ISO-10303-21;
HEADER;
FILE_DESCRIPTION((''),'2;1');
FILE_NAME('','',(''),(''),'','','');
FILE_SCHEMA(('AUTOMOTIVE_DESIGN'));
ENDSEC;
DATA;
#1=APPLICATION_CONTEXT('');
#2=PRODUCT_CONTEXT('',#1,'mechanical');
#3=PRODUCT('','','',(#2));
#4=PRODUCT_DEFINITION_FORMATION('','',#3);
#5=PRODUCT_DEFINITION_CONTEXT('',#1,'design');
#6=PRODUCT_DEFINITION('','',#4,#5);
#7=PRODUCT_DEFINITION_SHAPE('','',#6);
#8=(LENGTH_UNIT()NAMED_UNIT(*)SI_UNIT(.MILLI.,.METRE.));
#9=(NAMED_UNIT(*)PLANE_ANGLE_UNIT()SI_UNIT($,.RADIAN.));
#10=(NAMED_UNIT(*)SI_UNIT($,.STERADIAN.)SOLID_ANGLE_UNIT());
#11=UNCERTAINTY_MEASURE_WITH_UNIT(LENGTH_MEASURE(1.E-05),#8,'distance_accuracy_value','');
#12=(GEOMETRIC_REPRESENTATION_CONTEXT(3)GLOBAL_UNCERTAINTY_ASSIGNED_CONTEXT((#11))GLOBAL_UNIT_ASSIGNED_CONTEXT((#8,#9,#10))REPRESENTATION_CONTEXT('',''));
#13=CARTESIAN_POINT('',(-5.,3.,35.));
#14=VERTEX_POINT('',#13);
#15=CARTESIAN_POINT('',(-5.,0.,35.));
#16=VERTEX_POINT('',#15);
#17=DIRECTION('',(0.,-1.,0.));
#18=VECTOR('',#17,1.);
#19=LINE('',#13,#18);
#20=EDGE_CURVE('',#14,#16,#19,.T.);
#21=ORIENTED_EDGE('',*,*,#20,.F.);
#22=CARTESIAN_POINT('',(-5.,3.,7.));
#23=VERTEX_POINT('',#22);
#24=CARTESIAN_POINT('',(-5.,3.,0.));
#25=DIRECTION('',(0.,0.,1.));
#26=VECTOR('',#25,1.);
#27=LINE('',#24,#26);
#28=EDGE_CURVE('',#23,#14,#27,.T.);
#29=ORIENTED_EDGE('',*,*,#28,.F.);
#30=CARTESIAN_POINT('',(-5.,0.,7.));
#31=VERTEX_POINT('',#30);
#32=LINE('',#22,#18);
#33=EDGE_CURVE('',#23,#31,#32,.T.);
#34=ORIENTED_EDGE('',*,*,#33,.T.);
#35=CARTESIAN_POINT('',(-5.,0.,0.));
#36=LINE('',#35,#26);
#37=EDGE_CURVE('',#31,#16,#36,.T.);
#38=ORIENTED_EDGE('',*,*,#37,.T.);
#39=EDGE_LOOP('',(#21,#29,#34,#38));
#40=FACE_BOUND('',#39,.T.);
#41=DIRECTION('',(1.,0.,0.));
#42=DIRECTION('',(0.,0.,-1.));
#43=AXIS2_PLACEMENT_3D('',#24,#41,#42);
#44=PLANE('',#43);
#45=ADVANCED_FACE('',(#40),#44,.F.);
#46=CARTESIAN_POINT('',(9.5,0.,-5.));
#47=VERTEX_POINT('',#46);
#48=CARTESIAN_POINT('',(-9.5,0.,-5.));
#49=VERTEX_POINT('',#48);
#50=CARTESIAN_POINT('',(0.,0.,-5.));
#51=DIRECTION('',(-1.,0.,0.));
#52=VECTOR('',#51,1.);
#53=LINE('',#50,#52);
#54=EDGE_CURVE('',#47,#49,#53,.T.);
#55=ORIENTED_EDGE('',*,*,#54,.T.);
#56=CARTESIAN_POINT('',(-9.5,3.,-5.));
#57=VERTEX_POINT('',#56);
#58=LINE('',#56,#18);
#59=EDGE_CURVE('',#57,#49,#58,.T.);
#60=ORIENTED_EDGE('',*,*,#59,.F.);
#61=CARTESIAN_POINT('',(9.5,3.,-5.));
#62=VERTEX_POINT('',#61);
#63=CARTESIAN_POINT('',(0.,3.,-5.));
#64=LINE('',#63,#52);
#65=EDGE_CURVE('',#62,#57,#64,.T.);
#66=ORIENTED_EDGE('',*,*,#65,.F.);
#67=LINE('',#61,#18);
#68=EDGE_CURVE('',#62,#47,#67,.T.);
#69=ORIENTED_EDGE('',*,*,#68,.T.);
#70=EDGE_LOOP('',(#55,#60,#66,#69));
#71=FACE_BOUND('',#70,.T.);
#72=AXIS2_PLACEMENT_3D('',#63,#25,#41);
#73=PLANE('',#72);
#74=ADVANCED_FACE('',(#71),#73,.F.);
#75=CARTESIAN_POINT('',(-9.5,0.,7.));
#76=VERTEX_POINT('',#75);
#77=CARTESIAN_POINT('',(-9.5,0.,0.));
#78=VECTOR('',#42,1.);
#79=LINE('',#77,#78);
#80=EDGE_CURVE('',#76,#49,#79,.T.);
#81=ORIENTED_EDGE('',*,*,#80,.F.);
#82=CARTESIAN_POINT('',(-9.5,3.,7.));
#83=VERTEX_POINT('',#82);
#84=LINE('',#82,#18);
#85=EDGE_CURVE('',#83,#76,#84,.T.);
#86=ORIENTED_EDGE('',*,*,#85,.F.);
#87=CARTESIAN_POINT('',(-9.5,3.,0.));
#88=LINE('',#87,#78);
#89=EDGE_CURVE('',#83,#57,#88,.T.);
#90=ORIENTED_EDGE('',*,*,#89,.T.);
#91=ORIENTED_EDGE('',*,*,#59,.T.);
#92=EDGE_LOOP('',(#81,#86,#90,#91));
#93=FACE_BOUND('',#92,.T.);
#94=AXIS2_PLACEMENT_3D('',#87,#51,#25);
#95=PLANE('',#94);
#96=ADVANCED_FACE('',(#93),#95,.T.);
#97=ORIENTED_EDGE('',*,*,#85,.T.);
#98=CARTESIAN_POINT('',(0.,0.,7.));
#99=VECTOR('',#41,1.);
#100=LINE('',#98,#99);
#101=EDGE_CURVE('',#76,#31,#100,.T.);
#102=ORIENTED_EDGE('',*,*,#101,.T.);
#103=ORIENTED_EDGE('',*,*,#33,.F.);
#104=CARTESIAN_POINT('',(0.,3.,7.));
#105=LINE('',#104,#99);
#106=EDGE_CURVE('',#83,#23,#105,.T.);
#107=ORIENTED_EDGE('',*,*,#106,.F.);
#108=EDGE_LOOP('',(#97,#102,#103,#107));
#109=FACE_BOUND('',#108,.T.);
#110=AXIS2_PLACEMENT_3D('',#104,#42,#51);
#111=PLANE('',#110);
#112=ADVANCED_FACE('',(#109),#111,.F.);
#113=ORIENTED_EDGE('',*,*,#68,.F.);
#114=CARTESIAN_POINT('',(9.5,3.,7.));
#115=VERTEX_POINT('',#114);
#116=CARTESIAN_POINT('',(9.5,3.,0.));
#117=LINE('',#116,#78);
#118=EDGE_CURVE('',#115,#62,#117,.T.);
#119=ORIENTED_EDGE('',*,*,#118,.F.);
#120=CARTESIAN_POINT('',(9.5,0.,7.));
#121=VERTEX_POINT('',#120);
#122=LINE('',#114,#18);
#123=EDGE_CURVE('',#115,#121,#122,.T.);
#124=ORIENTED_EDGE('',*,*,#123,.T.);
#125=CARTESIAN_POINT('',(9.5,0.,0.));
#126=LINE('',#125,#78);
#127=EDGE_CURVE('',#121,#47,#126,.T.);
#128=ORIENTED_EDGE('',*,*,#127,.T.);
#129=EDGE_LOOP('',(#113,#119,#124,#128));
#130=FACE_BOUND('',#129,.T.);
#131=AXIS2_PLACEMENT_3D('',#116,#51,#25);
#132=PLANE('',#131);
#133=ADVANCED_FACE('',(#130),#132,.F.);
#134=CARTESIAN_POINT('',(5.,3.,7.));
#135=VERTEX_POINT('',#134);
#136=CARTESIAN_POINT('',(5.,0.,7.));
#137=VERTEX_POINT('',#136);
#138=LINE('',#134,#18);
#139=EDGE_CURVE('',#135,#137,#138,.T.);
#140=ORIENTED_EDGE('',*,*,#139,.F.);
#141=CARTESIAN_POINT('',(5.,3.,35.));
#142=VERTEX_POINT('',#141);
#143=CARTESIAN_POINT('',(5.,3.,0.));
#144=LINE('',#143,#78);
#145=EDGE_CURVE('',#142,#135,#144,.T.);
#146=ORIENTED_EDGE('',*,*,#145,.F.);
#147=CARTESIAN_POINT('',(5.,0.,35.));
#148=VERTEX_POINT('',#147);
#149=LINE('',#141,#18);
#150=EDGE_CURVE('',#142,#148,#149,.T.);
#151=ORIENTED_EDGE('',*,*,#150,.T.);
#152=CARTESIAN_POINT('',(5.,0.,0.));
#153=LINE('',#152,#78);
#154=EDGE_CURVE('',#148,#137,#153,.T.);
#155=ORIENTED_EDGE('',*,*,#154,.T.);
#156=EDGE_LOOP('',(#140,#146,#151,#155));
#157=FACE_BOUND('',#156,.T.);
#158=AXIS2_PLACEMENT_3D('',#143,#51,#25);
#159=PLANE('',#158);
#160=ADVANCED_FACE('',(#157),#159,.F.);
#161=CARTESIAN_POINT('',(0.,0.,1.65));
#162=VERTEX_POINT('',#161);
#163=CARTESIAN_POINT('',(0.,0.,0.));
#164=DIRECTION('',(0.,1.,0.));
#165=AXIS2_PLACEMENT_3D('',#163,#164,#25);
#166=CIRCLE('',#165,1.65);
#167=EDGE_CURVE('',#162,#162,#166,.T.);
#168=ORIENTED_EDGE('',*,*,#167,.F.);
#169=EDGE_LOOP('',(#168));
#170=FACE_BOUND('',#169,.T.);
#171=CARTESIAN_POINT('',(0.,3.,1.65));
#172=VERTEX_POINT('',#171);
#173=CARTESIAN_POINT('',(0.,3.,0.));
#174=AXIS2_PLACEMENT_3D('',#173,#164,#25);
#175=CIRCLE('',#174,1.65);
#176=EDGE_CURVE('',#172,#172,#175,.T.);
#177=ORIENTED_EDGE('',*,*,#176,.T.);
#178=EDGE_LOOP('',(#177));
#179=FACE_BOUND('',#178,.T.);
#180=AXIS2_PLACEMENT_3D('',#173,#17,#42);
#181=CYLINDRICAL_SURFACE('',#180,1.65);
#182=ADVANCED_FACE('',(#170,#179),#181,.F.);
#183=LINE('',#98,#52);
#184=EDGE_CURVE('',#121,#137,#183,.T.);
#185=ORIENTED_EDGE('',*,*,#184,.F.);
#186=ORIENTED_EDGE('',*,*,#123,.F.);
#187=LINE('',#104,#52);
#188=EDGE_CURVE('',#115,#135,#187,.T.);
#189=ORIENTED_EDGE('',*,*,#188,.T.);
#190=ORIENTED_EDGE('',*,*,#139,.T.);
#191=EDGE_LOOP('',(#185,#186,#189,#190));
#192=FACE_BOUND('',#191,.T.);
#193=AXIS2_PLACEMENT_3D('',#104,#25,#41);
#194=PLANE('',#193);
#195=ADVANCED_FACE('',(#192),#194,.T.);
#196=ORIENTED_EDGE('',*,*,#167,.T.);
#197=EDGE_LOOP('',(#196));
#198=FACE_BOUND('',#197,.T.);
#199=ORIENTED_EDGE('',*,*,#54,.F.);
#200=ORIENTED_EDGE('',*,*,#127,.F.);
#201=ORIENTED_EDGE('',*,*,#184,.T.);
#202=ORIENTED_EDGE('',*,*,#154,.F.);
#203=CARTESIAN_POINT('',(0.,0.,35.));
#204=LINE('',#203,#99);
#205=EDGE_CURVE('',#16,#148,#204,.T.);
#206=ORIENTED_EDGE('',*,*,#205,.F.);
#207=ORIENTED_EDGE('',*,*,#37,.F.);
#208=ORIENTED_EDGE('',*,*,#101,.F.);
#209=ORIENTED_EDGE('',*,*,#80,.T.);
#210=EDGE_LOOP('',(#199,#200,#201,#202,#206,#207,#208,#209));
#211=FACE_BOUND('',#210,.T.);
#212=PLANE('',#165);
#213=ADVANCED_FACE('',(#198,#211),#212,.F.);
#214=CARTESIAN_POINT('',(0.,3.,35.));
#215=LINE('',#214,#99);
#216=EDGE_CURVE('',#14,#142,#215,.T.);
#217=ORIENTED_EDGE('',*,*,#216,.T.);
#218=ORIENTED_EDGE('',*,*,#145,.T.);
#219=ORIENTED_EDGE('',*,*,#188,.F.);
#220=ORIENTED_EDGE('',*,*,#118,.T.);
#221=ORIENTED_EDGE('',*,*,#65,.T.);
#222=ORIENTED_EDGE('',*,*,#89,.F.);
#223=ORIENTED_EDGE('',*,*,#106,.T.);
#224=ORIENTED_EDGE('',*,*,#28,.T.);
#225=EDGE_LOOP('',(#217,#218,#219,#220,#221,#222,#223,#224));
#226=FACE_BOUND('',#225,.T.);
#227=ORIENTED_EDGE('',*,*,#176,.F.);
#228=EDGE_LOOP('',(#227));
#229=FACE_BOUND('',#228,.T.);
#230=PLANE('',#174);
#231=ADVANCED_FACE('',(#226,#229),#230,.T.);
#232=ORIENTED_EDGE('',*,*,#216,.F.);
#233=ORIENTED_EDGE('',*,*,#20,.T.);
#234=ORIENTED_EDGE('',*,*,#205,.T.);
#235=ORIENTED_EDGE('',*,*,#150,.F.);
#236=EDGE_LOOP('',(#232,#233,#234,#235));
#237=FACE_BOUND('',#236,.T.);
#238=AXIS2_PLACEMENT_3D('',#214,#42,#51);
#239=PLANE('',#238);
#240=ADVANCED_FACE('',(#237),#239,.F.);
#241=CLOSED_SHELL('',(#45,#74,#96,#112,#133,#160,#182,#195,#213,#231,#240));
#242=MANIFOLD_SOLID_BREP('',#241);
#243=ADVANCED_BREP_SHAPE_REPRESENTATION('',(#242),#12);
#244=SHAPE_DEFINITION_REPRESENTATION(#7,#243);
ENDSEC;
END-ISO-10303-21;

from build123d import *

# Parameters (mm, degrees)
SKETCH1_W           = 10
SKETCH1_H           = 40
SKETCH1_R           = 1.65
SKETCH1_W_2         = 4.5
SKETCH1_H_2         = 12
BOSS_EXTRUDE1_DEPTH = 3


with BuildPart() as part:
    # Sketch1 → Boss-Extrude1 (new body)
    with BuildSketch(Plane(origin=(0, 0, 0), x_dir=(1, 0, 0), z_dir=(0, 1, 0))):
        with Locations((0, -15)):
            Rectangle(SKETCH1_W, SKETCH1_H)
        Circle(SKETCH1_R, mode=Mode.SUBTRACT)
        with Locations((-7.25, -1)):
            Rectangle(SKETCH1_W_2, SKETCH1_H_2)
        with Locations((7.25, -1)):
            Rectangle(SKETCH1_W_2, SKETCH1_H_2)
    extrude(amount=BOSS_EXTRUDE1_DEPTH)


solid = part.part
